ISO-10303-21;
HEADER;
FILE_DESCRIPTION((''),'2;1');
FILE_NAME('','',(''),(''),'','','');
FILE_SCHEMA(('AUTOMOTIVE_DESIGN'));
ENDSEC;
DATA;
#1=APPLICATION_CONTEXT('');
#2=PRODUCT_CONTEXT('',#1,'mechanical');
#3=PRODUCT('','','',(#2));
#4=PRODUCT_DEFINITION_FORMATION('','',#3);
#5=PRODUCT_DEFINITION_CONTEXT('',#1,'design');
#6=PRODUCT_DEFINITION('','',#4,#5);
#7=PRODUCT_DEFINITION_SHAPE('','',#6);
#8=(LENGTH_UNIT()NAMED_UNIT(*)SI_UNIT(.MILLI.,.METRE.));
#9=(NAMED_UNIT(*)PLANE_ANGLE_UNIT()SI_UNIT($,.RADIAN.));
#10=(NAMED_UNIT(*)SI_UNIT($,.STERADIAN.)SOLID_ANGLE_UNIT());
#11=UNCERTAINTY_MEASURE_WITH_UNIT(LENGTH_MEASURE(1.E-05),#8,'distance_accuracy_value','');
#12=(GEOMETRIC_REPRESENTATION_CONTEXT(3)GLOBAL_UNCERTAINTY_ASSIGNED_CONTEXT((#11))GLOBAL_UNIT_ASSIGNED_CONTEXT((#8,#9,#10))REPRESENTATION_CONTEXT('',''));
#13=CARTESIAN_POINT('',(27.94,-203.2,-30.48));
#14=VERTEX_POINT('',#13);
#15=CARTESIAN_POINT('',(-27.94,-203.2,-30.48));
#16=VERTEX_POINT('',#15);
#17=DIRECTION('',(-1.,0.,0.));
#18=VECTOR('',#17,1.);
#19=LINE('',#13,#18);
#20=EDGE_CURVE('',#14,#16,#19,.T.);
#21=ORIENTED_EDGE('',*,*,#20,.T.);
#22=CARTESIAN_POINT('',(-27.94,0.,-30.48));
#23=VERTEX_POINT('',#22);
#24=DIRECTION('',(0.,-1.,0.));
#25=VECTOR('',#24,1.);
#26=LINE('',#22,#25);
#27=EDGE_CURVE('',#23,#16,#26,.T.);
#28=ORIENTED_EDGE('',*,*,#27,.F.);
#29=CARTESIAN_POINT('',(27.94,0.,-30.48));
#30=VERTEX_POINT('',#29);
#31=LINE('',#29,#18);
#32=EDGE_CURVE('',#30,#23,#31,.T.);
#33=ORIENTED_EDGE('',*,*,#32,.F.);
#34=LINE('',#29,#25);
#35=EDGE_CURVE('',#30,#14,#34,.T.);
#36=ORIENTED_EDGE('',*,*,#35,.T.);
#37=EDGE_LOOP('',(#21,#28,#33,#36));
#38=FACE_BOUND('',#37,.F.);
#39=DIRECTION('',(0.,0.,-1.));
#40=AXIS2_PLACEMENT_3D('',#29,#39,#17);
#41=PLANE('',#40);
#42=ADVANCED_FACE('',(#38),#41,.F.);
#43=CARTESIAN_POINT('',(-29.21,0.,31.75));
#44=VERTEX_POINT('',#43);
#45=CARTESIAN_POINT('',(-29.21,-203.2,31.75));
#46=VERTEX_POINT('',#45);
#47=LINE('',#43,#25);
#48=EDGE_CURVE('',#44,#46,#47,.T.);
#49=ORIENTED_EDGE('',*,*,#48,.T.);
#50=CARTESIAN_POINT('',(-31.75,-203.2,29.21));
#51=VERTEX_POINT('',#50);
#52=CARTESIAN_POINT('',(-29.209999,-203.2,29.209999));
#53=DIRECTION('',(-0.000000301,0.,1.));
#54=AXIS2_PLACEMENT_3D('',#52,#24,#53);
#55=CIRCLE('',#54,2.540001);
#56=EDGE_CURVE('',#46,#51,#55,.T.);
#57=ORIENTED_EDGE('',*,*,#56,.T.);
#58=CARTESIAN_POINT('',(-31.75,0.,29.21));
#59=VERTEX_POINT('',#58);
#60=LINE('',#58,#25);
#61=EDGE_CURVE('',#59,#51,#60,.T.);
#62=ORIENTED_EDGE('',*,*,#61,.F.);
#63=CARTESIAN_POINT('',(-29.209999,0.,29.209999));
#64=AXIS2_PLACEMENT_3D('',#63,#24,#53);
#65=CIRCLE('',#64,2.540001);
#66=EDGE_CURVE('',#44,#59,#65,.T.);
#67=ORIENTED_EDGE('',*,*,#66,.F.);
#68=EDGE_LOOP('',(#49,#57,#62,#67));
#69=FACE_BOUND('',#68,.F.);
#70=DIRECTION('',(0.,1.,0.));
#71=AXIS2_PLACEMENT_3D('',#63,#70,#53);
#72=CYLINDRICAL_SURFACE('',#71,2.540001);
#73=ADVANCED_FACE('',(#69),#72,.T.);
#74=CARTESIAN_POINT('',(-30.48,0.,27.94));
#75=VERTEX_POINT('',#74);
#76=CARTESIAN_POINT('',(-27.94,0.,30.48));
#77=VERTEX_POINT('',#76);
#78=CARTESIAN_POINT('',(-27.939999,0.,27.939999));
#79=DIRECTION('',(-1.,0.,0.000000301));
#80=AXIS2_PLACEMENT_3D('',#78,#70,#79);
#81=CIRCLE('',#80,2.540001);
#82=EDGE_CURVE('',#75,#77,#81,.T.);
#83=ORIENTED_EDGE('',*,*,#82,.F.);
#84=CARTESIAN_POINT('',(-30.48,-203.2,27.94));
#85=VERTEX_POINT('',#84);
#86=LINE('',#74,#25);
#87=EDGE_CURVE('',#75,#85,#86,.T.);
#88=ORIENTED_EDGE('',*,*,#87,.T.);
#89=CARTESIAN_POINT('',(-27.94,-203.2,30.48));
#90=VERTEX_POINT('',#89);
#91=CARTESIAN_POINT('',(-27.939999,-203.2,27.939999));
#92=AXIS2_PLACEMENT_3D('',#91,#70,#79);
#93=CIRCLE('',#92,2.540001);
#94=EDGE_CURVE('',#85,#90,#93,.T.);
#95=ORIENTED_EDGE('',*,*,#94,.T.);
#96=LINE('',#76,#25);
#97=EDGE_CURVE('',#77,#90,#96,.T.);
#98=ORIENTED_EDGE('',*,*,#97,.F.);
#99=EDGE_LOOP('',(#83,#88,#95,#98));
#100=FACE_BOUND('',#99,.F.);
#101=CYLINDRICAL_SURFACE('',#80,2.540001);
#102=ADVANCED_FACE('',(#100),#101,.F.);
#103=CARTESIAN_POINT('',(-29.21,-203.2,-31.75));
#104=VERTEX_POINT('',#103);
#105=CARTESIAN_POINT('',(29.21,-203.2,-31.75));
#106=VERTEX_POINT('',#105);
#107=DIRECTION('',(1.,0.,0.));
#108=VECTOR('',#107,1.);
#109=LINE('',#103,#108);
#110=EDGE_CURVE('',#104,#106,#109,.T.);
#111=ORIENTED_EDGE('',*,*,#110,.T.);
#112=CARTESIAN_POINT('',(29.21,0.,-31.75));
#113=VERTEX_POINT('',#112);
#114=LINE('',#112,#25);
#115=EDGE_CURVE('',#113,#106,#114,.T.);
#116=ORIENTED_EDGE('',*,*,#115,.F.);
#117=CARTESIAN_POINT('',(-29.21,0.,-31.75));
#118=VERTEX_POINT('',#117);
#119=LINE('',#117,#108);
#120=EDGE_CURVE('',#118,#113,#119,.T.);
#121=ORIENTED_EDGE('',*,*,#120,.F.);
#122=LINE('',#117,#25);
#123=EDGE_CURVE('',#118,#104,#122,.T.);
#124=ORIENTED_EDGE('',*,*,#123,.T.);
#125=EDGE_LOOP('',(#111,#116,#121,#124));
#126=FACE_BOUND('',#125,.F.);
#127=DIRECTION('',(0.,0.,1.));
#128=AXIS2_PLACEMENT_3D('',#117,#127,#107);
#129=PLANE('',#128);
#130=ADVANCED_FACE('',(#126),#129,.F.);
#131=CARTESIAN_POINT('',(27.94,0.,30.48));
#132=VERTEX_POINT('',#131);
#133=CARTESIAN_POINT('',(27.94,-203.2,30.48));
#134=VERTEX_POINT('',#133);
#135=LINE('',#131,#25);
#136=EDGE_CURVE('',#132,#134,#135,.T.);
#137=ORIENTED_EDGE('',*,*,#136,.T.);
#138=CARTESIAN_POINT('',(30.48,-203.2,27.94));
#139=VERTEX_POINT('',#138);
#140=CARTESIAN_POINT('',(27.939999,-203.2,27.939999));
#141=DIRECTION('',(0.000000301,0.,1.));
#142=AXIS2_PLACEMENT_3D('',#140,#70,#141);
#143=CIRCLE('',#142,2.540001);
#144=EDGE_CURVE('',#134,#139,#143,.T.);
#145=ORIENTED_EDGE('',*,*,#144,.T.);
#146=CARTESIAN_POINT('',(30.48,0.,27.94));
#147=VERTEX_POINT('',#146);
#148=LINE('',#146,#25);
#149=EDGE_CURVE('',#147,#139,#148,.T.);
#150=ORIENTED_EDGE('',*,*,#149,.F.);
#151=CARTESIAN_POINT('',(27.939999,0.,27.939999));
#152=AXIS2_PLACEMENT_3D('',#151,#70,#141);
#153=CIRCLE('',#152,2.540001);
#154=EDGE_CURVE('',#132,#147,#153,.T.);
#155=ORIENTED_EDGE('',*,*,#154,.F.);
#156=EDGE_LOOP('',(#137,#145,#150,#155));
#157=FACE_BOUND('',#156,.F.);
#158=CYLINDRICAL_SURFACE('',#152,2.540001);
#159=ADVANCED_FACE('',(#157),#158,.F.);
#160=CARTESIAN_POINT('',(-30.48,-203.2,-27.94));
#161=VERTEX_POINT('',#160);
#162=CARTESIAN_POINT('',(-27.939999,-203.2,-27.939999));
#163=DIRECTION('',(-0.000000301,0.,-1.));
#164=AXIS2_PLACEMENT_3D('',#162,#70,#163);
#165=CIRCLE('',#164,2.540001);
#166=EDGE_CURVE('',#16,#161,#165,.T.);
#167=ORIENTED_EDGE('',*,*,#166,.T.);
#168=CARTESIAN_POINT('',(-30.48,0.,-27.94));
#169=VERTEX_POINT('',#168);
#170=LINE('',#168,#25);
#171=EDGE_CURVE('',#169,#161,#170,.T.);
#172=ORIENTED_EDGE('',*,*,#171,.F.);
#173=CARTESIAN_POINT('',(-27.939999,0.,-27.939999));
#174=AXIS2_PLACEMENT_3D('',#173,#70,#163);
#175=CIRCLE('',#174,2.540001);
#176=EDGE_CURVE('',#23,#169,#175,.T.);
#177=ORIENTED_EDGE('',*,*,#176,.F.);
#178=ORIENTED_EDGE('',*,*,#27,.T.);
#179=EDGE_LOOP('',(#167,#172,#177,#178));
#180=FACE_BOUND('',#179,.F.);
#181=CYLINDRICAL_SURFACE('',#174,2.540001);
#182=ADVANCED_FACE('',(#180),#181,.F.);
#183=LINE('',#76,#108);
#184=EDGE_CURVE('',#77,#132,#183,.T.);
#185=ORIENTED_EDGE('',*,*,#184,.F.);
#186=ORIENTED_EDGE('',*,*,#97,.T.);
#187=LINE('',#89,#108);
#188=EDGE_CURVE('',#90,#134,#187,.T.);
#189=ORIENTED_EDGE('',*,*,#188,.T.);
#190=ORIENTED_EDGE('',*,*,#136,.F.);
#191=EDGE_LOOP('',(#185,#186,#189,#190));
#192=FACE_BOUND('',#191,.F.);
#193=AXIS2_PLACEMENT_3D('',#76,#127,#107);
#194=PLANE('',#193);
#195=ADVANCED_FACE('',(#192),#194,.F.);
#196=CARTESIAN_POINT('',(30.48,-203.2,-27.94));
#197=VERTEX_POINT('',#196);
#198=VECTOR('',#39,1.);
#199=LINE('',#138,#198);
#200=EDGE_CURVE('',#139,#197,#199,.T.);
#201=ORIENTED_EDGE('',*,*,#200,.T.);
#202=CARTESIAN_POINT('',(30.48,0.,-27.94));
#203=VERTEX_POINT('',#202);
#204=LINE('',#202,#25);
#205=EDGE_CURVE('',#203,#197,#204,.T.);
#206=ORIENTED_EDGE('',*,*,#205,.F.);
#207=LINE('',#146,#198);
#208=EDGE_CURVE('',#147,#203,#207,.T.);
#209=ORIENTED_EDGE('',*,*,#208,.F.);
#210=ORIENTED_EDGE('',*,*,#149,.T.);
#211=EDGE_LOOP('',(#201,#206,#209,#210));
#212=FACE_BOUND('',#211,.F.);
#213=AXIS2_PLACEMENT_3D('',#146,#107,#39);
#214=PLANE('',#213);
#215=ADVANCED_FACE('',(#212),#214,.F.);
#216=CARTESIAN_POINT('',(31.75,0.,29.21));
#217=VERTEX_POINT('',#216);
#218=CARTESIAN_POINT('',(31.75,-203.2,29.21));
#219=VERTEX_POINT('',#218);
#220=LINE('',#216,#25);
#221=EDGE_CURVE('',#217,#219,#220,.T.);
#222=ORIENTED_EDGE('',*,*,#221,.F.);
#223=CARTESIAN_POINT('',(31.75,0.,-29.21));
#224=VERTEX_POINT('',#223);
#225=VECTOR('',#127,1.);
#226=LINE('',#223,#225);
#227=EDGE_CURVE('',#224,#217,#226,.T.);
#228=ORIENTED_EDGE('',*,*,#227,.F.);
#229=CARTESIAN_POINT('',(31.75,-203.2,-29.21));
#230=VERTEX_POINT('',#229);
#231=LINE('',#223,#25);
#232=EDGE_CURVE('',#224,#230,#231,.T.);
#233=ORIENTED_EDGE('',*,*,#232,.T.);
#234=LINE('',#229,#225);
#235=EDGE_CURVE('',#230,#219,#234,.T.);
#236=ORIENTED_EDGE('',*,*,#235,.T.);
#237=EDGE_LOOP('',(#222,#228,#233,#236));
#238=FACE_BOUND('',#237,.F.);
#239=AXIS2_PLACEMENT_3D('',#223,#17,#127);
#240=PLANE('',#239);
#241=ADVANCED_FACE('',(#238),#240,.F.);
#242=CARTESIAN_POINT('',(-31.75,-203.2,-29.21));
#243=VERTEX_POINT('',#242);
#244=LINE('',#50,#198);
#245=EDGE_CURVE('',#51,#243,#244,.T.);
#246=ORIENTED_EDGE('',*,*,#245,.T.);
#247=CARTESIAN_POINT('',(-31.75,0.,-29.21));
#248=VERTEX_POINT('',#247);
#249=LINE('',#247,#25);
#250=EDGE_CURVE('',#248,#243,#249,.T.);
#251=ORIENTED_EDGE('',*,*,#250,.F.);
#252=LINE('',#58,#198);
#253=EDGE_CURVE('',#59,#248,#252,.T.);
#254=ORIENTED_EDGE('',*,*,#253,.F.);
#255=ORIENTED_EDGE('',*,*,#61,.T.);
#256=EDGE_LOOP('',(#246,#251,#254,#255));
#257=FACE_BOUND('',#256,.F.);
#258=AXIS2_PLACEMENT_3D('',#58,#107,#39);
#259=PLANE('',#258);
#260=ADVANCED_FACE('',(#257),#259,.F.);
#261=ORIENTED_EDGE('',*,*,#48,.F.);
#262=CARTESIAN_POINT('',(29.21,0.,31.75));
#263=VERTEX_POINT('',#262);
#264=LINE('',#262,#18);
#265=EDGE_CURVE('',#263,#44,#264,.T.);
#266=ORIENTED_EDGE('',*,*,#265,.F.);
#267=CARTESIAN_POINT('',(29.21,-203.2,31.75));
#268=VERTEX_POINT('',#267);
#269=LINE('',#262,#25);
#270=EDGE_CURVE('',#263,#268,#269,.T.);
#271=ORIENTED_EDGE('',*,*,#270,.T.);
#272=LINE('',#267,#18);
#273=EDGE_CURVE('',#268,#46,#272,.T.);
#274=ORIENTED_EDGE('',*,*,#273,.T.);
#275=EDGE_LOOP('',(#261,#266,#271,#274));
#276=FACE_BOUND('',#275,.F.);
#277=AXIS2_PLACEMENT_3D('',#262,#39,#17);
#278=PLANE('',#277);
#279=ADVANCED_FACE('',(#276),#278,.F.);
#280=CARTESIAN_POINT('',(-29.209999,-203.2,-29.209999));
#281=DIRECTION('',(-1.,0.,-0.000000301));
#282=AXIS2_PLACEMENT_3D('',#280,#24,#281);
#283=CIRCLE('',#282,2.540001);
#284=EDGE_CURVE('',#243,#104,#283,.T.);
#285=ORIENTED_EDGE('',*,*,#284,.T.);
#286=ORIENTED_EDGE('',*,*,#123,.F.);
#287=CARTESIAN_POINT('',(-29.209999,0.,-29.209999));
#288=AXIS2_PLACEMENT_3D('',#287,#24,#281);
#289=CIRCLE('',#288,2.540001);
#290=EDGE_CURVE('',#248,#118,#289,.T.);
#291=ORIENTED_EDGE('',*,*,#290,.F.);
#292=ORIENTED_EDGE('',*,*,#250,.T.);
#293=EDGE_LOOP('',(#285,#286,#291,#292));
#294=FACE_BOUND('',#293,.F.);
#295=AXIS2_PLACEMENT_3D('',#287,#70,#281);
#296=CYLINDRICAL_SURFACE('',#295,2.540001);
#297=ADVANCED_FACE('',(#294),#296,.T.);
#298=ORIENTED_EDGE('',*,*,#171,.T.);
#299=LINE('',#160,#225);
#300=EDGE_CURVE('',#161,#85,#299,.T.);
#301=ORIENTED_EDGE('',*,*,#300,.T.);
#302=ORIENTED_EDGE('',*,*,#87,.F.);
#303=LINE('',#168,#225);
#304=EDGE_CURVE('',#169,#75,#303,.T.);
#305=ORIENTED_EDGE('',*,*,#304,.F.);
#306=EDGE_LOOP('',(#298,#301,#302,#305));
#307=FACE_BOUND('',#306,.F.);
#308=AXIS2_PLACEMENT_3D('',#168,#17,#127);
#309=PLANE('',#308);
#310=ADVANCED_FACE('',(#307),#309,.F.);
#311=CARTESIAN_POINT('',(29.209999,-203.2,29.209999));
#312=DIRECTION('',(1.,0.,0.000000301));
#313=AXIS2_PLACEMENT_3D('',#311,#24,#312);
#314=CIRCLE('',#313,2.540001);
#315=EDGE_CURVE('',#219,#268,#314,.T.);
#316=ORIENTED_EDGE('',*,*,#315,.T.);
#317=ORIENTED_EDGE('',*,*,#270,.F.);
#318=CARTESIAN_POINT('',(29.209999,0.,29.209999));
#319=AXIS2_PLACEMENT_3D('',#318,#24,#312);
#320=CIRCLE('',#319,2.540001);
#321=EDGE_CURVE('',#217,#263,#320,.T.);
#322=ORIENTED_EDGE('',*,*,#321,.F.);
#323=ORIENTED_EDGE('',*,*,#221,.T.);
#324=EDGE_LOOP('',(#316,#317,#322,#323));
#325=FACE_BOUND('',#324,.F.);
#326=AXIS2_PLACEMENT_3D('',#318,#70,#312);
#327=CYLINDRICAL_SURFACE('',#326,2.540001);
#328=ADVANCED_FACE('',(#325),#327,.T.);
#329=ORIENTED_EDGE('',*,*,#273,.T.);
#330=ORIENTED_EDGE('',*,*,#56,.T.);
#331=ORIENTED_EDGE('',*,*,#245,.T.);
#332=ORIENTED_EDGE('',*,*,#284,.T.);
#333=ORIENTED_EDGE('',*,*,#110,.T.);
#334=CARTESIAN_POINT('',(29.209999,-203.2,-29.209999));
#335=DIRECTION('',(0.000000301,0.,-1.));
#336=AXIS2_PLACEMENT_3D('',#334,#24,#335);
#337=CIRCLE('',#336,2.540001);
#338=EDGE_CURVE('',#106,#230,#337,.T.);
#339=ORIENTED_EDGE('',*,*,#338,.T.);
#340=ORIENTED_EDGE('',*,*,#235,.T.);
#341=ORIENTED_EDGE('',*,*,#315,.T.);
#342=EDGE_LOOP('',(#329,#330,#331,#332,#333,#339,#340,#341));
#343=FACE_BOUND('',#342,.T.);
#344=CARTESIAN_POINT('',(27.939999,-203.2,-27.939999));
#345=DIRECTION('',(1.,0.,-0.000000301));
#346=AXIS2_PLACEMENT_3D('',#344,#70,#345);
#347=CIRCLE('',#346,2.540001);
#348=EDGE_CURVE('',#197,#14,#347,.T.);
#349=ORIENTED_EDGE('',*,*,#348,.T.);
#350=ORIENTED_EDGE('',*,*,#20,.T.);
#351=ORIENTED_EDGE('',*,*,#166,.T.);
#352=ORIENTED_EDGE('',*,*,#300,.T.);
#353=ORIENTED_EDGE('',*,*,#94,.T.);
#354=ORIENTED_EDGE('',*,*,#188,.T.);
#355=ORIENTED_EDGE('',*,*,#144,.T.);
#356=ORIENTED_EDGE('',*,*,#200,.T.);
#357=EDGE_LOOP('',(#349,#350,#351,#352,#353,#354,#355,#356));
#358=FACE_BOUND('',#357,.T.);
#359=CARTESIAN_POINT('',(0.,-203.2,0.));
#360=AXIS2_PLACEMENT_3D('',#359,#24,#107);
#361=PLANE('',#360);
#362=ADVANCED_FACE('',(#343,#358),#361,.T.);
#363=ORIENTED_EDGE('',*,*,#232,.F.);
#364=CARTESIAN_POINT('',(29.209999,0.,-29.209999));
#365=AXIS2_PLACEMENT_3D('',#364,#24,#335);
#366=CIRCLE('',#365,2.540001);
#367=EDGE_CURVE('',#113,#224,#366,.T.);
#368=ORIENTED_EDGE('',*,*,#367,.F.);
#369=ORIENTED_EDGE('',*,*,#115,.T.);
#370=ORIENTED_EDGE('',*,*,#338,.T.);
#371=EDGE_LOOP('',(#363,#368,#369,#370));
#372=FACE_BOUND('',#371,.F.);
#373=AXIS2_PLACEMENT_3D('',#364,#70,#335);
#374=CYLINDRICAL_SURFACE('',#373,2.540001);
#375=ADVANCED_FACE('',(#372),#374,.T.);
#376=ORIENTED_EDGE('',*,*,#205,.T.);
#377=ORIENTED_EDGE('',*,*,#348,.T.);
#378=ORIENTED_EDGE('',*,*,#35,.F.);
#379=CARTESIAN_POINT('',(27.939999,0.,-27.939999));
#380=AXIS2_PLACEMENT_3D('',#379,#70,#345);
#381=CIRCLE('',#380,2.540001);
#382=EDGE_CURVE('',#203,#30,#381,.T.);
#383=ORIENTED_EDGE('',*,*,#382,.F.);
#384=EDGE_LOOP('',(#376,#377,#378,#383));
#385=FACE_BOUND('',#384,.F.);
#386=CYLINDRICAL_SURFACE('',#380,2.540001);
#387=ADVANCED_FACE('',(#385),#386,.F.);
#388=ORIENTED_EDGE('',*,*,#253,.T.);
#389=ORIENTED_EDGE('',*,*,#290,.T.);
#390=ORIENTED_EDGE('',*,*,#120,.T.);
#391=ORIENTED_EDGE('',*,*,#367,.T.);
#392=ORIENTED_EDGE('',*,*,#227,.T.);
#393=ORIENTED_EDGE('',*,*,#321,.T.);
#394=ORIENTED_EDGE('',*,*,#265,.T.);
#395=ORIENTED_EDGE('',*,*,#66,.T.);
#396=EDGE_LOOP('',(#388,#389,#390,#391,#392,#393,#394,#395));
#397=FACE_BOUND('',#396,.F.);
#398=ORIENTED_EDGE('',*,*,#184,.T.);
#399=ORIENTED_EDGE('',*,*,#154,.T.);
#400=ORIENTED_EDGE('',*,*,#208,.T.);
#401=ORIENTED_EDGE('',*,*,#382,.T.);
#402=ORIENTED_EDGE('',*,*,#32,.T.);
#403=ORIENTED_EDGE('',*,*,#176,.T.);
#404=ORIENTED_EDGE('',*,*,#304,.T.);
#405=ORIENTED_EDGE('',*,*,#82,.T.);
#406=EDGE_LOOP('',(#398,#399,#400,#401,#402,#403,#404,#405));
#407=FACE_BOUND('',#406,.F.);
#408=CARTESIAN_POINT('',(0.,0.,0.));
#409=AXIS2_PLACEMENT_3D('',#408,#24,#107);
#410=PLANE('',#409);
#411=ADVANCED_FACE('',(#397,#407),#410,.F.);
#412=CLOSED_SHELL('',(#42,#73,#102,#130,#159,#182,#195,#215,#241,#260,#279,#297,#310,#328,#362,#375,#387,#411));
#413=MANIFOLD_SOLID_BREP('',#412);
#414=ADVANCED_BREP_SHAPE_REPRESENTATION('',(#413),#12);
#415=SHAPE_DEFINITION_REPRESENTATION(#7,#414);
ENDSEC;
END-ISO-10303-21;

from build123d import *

# Parameters (mm, degrees)
F1_DEPTH = 203.2


with BuildPart() as f1:
    # F0 (on Front) → F1 (new body)
    with BuildSketch(Plane.XZ):
        with BuildLine():
            ThreePointArc((31.75, 29.21), (31.006051, 31.006051), (29.21, 31.75))
            Line((29.21, 31.75), (-29.21, 31.75))
            ThreePointArc((-29.21, 31.75), (-31.006051, 31.006051), (-31.75, 29.21))
            Line((-31.75, 29.21), (-31.75, -29.21))
            ThreePointArc((-31.75, -29.21), (-31.006051, -31.006051), (-29.21, -31.75))
            Line((-29.21, -31.75), (29.21, -31.75))
            ThreePointArc((29.21, -31.75), (31.006051, -31.006051), (31.75, -29.21))
            Line((31.75, -29.21), (31.75, 29.21))
        make_face()
        with BuildLine():
            Line((-27.94, 30.48), (27.94, 30.48))
            ThreePointArc((27.94, 30.48), (29.736051, 29.736051), (30.48, 27.94))
            Line((30.48, 27.94), (30.48, -27.94))
            ThreePointArc((30.48, -27.94), (29.736051, -29.736051), (27.94, -30.48))
            Line((27.94, -30.48), (-27.94, -30.48))
            ThreePointArc((-27.94, -30.48), (-29.736051, -29.736051), (-30.48, -27.94))
            Line((-30.48, -27.94), (-30.48, 27.94))
            ThreePointArc((-30.48, 27.94), (-29.736051, 29.736051), (-27.94, 30.48))
        make_face(mode=Mode.SUBTRACT)
    extrude(amount=F1_DEPTH)


solid = f1.part
